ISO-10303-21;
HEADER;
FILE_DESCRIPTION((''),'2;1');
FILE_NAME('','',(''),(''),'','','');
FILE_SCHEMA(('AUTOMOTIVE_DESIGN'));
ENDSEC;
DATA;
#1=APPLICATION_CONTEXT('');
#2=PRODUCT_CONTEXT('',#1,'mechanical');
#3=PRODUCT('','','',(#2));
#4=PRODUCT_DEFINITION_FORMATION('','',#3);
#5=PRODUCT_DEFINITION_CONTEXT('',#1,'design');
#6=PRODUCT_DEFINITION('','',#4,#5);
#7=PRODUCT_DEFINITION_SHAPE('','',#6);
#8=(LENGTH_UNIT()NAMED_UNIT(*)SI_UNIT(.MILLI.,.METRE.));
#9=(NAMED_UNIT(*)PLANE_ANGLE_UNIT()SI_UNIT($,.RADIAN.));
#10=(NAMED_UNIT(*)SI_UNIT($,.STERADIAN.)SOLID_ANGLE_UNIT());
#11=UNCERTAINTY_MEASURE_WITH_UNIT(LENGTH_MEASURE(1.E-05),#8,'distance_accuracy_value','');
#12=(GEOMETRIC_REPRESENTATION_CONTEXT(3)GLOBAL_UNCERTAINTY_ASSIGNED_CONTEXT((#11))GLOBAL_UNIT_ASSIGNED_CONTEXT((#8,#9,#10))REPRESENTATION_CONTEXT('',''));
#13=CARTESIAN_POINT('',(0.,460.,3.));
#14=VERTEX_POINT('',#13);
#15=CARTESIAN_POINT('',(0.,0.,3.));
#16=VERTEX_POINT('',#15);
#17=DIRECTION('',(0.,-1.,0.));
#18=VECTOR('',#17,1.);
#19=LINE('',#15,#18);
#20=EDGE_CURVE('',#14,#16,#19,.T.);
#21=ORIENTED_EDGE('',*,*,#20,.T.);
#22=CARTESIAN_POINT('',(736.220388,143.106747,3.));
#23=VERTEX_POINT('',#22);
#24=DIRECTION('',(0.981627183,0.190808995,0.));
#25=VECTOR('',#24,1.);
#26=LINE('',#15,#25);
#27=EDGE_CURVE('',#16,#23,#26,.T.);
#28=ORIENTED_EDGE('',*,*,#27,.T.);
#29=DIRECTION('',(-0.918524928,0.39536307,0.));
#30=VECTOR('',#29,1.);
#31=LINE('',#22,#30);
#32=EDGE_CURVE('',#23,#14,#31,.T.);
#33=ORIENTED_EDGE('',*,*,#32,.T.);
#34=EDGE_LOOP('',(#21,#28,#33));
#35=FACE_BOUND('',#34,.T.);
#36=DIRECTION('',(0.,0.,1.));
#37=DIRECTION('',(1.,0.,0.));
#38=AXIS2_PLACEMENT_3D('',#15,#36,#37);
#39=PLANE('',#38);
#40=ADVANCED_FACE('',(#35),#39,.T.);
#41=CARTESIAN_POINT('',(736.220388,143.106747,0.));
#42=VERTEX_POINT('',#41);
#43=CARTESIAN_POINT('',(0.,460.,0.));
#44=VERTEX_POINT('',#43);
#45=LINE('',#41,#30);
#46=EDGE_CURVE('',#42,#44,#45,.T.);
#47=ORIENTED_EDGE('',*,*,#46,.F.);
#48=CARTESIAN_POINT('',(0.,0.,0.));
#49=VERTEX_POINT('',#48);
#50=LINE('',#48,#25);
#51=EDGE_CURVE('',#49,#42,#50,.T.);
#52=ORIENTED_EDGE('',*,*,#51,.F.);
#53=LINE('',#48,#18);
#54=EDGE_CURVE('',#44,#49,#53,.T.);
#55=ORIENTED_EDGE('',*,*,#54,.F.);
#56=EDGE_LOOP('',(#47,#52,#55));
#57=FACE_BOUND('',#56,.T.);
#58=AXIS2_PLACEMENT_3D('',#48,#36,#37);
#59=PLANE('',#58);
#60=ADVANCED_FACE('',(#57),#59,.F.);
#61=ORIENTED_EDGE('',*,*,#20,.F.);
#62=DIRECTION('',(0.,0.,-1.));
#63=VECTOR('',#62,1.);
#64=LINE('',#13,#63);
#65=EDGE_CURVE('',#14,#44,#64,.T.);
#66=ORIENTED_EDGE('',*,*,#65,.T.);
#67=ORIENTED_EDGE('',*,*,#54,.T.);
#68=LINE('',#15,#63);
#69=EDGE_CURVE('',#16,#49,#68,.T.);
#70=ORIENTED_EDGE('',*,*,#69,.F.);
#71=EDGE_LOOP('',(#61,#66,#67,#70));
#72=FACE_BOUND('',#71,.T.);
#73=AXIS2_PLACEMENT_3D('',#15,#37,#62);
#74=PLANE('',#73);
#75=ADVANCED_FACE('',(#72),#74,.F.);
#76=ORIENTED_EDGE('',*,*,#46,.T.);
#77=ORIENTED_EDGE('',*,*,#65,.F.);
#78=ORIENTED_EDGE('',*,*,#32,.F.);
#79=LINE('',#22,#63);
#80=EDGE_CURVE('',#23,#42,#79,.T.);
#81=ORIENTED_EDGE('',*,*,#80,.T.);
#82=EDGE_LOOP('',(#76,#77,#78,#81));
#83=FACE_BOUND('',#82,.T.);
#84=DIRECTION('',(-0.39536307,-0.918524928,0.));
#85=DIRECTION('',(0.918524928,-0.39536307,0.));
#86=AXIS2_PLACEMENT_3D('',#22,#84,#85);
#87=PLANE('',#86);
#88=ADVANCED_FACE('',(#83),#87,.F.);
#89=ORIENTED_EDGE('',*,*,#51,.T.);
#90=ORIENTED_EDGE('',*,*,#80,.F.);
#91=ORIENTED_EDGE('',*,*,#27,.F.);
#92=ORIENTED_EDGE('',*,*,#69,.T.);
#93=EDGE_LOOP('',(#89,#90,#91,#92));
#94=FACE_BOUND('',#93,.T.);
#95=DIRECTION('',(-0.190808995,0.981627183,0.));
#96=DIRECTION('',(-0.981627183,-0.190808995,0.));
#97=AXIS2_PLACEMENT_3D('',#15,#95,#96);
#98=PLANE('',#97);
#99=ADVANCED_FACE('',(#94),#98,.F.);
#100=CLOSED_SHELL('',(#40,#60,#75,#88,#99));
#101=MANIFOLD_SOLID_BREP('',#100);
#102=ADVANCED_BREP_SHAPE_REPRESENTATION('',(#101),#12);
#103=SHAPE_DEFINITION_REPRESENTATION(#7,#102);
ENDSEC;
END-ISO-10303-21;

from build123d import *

# Parameters (mm, degrees)
BOSS_EXTRU_1_DEPTH = 3


with BuildPart() as part:
    # Esquisse1 → Boss.-Extru.1 (new body)
    with BuildSketch(Plane.XY):
        Polygon((0, 0), (0, 460), (736.220387586, 143.106746532), align=None)
    extrude(amount=BOSS_EXTRU_1_DEPTH)


solid = part.part
